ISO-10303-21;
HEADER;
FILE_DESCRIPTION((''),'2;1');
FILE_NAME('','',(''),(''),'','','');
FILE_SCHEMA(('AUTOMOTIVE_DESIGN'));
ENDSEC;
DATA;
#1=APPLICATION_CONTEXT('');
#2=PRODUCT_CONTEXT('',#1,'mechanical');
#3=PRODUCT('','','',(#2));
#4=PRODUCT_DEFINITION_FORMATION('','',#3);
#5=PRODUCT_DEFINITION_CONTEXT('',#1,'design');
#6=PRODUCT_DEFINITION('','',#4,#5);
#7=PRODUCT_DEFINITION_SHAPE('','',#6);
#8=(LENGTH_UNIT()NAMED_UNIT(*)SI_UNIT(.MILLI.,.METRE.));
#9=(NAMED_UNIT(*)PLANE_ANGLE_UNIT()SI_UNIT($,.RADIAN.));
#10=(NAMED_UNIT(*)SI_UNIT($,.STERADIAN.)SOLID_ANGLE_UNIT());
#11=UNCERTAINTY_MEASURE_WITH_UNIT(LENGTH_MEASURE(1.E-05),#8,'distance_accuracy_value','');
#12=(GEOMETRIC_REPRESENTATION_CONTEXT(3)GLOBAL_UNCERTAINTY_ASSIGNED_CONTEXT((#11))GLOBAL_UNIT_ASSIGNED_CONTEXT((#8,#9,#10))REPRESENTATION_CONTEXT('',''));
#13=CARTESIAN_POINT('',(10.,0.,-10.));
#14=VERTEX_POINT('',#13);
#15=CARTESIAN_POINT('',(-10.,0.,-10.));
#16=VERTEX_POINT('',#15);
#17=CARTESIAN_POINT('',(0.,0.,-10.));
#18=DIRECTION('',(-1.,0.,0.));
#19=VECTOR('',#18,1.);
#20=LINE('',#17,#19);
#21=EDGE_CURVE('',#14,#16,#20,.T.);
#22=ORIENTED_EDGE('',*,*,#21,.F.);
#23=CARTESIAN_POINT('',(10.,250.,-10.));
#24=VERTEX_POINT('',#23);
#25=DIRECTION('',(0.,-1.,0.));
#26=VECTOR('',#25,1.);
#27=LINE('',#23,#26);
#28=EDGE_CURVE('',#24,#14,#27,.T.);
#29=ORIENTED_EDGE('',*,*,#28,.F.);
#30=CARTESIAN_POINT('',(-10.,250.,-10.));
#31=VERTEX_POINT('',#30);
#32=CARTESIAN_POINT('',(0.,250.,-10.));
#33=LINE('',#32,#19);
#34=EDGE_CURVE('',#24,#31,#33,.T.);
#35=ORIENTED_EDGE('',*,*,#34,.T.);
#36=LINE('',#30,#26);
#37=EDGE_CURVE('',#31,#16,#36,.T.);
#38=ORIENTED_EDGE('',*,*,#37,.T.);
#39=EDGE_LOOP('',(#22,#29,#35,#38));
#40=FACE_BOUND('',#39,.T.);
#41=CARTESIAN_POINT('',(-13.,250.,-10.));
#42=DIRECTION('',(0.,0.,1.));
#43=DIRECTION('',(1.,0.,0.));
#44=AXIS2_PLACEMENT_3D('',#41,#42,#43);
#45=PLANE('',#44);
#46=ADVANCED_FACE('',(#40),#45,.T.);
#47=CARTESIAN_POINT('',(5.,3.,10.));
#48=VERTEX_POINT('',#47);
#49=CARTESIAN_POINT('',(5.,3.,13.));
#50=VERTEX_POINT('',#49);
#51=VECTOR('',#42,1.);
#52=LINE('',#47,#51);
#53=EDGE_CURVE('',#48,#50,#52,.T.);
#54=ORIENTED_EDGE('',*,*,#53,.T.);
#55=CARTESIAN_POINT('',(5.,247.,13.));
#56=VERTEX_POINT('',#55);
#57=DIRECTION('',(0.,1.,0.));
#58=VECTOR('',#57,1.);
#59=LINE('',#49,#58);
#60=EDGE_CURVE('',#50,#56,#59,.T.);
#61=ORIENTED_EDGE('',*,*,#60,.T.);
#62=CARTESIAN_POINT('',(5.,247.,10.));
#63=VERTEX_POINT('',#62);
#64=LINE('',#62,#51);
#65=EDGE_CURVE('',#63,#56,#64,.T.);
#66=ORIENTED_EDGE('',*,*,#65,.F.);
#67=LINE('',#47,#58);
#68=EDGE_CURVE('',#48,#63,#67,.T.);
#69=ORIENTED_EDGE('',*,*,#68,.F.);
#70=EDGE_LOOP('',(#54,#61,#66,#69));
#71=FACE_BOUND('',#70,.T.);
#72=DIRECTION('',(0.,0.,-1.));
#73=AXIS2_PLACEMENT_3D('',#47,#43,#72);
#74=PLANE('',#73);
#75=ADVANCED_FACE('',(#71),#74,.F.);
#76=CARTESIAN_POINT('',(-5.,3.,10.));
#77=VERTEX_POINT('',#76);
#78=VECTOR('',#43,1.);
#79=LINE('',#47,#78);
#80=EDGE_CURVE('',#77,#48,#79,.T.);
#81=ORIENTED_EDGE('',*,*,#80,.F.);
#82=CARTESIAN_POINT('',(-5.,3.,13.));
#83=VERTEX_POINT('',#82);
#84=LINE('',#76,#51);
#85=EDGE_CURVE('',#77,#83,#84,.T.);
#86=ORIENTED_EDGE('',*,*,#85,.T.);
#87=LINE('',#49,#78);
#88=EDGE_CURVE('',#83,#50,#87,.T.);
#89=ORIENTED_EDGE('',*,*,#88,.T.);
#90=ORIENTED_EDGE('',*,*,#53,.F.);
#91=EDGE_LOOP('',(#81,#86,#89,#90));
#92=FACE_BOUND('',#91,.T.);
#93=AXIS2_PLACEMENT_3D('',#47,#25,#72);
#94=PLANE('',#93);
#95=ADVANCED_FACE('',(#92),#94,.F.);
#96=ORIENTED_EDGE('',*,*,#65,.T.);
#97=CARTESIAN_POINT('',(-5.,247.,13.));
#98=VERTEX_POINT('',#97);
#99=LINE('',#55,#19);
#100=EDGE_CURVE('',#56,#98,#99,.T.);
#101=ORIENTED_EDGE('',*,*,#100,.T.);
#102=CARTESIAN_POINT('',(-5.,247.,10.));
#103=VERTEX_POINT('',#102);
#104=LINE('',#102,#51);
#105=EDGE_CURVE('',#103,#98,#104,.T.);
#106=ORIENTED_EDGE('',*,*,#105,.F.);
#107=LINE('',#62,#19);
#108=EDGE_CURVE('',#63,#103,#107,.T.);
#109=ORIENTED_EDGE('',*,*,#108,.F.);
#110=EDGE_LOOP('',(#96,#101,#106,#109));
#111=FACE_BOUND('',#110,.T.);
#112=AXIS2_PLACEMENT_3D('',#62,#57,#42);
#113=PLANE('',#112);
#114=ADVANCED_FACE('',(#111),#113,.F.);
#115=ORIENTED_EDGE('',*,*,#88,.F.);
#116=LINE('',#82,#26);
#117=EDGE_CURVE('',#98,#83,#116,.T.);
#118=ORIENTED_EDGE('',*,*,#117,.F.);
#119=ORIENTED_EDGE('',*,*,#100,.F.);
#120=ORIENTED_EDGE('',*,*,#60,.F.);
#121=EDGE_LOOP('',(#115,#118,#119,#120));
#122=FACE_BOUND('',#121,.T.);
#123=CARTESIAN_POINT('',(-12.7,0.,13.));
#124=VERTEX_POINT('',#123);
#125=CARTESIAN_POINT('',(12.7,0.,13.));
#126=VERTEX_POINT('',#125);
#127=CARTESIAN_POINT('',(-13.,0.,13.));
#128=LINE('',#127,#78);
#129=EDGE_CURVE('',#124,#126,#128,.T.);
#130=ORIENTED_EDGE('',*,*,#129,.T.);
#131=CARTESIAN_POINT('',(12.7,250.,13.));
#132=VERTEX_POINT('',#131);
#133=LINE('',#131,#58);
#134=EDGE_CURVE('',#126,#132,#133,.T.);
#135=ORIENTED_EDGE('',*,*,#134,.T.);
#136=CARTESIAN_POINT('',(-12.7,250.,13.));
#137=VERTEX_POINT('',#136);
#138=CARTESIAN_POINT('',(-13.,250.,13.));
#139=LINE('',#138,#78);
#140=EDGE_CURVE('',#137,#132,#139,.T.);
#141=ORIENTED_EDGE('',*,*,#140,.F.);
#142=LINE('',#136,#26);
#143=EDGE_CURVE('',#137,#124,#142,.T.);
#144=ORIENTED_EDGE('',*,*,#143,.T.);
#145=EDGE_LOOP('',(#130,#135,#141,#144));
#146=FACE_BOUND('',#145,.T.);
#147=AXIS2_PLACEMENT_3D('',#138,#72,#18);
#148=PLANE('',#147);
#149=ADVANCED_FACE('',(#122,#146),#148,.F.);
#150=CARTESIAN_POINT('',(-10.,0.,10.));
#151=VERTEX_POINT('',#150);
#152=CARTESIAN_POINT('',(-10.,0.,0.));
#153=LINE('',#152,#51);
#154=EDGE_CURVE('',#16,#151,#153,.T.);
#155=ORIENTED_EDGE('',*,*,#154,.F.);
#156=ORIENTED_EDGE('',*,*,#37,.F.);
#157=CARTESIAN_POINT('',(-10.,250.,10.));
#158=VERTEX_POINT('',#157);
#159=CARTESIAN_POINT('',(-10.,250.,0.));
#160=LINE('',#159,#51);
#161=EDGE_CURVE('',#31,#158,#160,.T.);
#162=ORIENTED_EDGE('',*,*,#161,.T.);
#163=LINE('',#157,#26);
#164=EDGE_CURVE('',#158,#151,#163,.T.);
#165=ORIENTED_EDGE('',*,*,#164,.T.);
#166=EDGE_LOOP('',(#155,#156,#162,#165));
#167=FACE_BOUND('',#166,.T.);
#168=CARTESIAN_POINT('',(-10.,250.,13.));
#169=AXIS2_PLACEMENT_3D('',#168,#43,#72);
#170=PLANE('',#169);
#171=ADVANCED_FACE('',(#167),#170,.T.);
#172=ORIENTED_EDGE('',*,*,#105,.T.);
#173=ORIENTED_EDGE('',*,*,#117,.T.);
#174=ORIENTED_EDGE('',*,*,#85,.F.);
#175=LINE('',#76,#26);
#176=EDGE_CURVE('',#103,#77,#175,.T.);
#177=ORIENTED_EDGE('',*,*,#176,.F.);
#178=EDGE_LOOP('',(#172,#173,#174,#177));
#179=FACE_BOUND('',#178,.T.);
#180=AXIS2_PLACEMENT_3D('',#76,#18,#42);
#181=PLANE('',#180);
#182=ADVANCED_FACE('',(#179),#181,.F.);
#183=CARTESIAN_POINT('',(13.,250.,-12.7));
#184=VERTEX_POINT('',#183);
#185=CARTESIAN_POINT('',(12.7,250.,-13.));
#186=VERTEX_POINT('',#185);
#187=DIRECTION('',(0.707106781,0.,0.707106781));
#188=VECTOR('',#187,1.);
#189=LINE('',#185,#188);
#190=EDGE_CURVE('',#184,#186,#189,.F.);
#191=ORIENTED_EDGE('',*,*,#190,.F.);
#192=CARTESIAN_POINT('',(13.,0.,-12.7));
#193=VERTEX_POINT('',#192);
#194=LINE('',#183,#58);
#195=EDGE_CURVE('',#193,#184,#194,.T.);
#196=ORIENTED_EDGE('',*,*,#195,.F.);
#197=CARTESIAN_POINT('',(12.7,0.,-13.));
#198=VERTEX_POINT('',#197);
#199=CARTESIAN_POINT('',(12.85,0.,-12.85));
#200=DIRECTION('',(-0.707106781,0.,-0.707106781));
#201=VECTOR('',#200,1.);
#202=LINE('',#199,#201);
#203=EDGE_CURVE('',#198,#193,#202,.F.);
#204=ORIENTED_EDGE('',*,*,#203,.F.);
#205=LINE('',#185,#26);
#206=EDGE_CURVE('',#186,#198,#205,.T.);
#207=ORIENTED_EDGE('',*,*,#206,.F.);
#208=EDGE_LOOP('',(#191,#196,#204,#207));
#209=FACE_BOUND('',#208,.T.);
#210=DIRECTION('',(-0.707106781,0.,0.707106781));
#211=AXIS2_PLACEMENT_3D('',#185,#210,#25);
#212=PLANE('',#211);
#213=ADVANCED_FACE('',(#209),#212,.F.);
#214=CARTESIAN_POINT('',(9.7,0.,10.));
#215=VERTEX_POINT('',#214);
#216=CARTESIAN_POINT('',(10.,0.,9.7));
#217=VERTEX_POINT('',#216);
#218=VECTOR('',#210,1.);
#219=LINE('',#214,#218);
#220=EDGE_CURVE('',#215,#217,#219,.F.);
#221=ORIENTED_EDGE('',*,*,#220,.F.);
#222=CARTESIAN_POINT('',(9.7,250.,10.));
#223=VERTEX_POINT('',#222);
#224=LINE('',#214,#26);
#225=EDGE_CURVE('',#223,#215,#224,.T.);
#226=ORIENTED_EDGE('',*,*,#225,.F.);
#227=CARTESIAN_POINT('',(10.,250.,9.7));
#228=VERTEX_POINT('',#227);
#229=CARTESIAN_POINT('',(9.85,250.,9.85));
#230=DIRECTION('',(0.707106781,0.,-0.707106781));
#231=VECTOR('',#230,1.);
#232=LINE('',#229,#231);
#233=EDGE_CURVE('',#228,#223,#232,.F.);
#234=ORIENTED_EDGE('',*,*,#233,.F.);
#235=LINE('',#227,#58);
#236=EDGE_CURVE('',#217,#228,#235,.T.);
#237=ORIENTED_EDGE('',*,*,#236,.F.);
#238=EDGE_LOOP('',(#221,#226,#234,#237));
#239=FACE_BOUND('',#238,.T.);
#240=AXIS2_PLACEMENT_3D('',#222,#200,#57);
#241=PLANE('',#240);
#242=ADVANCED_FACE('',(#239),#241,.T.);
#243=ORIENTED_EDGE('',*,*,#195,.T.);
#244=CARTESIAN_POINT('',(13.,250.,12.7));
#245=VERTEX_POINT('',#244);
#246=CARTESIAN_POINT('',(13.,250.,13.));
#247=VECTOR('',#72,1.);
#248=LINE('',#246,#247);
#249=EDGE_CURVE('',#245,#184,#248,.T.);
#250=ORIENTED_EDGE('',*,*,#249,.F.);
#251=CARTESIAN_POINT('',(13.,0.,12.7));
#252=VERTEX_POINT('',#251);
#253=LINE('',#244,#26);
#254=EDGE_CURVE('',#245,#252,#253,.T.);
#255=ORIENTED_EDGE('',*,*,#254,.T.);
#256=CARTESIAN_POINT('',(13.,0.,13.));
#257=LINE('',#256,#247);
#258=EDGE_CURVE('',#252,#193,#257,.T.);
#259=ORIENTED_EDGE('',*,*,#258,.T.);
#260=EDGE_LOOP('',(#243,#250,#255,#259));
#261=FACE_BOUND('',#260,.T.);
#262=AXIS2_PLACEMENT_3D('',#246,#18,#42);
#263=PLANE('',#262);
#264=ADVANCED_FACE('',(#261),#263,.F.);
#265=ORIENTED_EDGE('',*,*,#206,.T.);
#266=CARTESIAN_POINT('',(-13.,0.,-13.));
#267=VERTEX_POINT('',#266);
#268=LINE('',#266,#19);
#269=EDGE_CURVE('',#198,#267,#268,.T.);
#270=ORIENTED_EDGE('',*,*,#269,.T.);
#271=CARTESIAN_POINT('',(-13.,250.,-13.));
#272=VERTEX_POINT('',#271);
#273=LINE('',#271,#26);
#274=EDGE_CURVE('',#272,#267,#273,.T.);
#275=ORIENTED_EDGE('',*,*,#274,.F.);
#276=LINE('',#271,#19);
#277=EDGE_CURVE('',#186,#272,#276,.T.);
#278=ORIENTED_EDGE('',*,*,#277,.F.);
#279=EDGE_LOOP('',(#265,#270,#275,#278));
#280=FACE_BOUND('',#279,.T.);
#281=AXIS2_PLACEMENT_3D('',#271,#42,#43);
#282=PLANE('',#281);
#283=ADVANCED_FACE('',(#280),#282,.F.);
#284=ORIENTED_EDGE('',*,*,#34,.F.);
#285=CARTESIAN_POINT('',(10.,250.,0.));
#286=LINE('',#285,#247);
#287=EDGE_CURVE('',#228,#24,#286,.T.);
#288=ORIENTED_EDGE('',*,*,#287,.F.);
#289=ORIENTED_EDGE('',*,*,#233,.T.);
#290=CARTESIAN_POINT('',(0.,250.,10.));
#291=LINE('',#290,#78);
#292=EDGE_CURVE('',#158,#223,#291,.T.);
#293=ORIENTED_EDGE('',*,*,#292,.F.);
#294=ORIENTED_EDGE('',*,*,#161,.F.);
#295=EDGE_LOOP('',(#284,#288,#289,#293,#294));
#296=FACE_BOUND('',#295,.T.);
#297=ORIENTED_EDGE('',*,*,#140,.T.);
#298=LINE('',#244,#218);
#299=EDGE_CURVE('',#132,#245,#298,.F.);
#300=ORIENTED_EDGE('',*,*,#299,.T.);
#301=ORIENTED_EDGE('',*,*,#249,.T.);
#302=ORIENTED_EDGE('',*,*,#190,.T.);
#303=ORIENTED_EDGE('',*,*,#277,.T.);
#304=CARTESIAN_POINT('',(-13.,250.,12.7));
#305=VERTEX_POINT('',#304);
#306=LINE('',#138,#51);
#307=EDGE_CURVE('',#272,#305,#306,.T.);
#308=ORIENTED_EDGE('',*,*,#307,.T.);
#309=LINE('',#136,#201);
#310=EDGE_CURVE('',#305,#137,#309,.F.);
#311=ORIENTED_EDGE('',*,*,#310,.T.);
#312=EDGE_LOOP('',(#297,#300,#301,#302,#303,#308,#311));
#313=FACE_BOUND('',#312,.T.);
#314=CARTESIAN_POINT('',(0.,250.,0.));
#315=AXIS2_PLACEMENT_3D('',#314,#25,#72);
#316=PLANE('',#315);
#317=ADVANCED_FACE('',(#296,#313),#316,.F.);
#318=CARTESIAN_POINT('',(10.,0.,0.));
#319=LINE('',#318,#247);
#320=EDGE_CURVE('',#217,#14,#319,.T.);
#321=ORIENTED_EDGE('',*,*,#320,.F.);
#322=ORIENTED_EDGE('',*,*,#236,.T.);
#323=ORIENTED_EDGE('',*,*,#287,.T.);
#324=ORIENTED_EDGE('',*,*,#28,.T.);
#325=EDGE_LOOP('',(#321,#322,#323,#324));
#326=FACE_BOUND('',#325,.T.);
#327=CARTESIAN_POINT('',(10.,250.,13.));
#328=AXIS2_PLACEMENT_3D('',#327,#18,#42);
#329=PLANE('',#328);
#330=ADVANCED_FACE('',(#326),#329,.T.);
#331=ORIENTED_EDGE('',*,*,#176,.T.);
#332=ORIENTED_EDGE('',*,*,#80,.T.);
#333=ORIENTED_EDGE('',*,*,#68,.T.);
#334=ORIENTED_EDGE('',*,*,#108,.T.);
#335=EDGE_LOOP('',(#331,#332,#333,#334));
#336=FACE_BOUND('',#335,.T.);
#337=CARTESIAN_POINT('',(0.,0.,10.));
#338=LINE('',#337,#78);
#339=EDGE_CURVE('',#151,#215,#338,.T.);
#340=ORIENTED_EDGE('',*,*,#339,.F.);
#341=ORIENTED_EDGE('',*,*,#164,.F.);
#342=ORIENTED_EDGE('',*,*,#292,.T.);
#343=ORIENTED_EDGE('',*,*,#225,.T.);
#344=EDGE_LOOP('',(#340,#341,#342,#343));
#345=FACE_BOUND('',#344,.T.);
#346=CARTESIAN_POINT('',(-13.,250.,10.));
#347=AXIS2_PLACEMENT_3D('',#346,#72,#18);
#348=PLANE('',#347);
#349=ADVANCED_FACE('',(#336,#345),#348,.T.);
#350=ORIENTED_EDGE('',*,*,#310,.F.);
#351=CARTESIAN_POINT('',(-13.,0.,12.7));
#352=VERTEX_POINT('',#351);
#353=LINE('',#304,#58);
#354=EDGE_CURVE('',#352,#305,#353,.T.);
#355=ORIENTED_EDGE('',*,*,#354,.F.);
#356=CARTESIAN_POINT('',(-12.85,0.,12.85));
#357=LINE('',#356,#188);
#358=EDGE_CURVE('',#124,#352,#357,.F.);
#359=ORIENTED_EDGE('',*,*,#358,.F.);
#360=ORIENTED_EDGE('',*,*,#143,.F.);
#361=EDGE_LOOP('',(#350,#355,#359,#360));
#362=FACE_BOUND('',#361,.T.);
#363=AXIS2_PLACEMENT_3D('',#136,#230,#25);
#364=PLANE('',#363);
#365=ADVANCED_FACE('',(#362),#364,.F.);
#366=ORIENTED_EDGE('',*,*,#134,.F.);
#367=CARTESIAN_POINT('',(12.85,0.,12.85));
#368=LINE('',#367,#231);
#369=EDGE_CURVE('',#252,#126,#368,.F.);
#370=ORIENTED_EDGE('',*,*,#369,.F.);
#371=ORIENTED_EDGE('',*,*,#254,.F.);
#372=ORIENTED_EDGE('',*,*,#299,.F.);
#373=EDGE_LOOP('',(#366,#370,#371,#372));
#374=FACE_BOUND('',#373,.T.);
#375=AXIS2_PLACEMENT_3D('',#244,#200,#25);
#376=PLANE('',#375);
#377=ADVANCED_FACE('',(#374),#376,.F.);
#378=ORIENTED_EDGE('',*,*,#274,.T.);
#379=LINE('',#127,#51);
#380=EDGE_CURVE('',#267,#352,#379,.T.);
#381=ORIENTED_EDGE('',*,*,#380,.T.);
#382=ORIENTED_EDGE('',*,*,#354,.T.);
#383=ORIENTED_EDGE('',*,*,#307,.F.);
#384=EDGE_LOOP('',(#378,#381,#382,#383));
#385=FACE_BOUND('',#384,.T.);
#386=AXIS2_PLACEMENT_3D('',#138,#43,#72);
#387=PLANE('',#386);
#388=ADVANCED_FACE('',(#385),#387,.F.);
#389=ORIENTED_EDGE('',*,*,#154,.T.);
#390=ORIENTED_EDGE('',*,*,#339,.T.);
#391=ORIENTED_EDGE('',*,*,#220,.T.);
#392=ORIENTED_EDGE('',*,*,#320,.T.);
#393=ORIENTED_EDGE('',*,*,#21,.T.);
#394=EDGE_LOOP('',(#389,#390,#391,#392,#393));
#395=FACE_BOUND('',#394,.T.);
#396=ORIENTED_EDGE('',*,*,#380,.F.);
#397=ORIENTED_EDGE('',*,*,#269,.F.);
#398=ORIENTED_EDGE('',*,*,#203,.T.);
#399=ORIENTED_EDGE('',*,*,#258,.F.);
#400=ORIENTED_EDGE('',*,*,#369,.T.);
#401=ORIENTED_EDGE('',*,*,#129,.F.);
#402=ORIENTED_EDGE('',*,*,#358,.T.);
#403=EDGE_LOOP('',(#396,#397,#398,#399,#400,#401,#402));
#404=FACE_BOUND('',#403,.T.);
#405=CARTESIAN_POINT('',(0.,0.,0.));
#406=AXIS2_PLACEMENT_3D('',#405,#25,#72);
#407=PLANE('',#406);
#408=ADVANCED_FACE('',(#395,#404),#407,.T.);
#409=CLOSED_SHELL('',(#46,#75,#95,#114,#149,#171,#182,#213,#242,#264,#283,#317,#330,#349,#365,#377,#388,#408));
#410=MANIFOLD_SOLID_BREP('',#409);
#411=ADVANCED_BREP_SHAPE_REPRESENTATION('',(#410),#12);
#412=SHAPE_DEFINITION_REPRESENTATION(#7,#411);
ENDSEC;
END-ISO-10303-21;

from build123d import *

# Parameters (mm, degrees)
SKETCH1_W           = 26
SKETCH1_H           = 26
BOSS_EXTRUDE1_DEPTH = 250
SHELL1_T            = -3
SKETCH2_W           = 10
SKETCH2_H           = 244
CUT_EXTRUDE1_DEPTH  = 3
CHAMFER1_SIZE       = 0.3


with BuildPart() as part:
    # Sketch1 → Boss-Extrude1 (new body)
    with BuildSketch(Plane(origin=(0, 0, 0), x_dir=(1, 0, 0), z_dir=(0, 1, 0))):
        Rectangle(SKETCH1_W, SKETCH1_H)
    extrude(amount=BOSS_EXTRUDE1_DEPTH)

    # Shell1
    shell1_openings = [part.faces().sort_by_distance(p)[0] for p in [
        (0, 250, 0),
        (0, 0, 0),
    ]]
    offset(amount=SHELL1_T, openings=shell1_openings, kind=Kind.INTERSECTION)

    # Sketch2 → Cut-Extrude1 (cut)
    with BuildSketch(Plane.XY.offset(13)):
        with Locations((0, 125)):
            Rectangle(SKETCH2_W, SKETCH2_H)
    extrude(amount=-CUT_EXTRUDE1_DEPTH, mode=Mode.SUBTRACT)

    # Chamfer1
    chamfer1_edges = [part.edges().sort_by_distance(p)[0] for p in [
        (10, 125, 10),
        (13, 125, 13),
        (-13, 125, 13),
        (13, 125, -13),
    ]]
    chamfer(chamfer1_edges, length=CHAMFER1_SIZE)


solid = part.part
